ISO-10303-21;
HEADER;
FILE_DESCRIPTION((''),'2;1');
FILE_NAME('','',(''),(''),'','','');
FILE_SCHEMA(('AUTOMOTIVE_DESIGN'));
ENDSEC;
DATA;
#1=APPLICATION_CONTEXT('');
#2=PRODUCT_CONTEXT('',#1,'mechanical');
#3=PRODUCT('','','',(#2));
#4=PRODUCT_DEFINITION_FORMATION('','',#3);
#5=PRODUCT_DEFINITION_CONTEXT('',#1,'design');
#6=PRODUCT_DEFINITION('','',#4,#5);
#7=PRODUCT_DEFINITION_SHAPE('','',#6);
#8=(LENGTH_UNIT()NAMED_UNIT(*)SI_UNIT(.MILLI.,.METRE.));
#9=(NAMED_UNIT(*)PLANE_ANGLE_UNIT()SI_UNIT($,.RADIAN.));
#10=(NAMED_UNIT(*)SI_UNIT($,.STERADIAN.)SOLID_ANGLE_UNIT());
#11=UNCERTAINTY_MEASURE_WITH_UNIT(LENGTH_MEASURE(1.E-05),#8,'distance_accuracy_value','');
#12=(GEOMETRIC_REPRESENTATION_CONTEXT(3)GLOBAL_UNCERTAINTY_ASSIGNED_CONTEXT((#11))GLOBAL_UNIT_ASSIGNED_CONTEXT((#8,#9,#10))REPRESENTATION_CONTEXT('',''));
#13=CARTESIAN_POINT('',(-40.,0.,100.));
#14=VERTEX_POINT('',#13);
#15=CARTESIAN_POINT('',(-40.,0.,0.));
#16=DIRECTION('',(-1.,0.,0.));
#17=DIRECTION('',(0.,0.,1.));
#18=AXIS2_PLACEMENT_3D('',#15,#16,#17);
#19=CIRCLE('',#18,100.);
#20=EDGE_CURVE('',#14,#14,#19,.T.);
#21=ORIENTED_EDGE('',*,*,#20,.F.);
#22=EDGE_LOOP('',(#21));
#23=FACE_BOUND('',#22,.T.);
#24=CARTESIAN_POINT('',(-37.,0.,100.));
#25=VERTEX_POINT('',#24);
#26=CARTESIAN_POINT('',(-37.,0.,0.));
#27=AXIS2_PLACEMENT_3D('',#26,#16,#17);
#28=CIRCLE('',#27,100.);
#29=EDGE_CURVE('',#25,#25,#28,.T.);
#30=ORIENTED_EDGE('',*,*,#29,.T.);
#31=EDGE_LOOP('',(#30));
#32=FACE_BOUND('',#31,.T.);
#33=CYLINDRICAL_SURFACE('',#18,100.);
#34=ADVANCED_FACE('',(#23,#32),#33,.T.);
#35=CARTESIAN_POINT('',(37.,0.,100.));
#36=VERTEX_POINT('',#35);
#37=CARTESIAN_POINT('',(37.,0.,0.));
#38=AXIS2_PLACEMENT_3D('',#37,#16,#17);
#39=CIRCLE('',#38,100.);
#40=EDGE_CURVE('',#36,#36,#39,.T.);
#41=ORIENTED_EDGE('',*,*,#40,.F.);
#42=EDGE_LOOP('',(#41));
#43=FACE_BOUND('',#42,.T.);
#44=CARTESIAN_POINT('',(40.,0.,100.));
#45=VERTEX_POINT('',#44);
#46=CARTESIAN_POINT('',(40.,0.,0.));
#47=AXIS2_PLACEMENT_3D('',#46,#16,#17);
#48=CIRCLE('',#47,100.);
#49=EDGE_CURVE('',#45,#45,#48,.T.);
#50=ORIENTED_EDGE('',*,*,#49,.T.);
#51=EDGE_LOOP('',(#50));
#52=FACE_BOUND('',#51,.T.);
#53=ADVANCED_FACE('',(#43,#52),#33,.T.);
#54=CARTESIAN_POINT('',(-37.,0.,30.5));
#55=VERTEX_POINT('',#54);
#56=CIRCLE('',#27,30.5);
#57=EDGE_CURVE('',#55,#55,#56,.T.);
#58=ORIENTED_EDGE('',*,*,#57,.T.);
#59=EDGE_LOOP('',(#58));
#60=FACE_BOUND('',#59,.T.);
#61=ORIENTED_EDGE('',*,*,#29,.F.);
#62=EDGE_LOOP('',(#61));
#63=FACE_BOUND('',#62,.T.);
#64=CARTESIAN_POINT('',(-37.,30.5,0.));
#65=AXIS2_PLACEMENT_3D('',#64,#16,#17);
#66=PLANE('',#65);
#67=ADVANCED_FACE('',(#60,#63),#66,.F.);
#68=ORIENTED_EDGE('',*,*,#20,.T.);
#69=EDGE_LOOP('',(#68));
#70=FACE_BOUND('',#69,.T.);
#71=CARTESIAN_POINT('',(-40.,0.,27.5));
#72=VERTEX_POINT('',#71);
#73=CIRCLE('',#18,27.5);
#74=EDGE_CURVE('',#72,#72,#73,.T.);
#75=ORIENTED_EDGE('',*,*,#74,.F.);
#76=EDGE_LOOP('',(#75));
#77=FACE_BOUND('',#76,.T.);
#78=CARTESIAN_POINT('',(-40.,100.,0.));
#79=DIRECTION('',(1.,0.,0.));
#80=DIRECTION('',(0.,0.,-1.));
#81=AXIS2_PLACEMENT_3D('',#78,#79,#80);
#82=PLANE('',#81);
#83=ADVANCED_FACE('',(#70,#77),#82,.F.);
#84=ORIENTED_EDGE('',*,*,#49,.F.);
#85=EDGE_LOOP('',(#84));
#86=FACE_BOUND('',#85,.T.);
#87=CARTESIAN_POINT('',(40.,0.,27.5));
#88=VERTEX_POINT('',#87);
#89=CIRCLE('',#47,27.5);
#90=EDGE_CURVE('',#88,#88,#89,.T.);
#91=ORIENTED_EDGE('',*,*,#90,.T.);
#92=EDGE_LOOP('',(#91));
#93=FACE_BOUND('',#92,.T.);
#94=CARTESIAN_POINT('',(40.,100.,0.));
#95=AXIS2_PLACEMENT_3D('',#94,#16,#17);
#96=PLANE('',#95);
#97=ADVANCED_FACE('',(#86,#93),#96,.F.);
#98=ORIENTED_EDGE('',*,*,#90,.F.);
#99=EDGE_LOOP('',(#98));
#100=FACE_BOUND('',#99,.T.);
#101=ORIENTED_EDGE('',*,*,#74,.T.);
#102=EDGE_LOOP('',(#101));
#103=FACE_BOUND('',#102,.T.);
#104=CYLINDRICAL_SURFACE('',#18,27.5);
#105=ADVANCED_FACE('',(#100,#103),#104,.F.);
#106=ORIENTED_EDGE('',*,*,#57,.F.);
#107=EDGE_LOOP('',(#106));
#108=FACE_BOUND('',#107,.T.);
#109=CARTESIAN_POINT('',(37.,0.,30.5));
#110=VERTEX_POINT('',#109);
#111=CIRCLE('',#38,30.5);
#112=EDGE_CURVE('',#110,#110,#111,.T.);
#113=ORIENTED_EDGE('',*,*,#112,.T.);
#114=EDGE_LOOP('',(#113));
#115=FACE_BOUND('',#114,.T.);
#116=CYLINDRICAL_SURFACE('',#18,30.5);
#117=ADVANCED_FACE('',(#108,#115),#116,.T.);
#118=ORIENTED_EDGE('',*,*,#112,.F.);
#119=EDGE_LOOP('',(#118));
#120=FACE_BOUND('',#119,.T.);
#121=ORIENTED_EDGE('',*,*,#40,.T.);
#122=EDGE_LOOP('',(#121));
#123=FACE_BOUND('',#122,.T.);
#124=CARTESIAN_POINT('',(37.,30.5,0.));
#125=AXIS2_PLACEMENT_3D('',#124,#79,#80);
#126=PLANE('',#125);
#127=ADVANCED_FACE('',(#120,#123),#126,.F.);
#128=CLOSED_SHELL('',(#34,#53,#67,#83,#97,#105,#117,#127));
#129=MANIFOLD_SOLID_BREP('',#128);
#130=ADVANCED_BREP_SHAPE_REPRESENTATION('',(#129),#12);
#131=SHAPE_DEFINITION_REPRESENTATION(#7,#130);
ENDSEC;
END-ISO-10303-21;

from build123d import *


with BuildPart() as part:
    # Sketch1 → Revolve1 (revolve)
    with BuildSketch(Plane.XY, mode=Mode.PRIVATE) as revolve1_sk:
        Polygon((37, 30.5), (-37, 30.5), (-37, 100), (-40, 100), (-40, 27.5), (40, 27.5), (40, 100), (37, 100), align=None)
    revolve(revolve1_sk.sketch.rotate(Axis((-40, 0, 0), (1, 0, 0)), 90), axis=Axis((-40, 0, 0), (1, 0, 0)))


solid = part.part
